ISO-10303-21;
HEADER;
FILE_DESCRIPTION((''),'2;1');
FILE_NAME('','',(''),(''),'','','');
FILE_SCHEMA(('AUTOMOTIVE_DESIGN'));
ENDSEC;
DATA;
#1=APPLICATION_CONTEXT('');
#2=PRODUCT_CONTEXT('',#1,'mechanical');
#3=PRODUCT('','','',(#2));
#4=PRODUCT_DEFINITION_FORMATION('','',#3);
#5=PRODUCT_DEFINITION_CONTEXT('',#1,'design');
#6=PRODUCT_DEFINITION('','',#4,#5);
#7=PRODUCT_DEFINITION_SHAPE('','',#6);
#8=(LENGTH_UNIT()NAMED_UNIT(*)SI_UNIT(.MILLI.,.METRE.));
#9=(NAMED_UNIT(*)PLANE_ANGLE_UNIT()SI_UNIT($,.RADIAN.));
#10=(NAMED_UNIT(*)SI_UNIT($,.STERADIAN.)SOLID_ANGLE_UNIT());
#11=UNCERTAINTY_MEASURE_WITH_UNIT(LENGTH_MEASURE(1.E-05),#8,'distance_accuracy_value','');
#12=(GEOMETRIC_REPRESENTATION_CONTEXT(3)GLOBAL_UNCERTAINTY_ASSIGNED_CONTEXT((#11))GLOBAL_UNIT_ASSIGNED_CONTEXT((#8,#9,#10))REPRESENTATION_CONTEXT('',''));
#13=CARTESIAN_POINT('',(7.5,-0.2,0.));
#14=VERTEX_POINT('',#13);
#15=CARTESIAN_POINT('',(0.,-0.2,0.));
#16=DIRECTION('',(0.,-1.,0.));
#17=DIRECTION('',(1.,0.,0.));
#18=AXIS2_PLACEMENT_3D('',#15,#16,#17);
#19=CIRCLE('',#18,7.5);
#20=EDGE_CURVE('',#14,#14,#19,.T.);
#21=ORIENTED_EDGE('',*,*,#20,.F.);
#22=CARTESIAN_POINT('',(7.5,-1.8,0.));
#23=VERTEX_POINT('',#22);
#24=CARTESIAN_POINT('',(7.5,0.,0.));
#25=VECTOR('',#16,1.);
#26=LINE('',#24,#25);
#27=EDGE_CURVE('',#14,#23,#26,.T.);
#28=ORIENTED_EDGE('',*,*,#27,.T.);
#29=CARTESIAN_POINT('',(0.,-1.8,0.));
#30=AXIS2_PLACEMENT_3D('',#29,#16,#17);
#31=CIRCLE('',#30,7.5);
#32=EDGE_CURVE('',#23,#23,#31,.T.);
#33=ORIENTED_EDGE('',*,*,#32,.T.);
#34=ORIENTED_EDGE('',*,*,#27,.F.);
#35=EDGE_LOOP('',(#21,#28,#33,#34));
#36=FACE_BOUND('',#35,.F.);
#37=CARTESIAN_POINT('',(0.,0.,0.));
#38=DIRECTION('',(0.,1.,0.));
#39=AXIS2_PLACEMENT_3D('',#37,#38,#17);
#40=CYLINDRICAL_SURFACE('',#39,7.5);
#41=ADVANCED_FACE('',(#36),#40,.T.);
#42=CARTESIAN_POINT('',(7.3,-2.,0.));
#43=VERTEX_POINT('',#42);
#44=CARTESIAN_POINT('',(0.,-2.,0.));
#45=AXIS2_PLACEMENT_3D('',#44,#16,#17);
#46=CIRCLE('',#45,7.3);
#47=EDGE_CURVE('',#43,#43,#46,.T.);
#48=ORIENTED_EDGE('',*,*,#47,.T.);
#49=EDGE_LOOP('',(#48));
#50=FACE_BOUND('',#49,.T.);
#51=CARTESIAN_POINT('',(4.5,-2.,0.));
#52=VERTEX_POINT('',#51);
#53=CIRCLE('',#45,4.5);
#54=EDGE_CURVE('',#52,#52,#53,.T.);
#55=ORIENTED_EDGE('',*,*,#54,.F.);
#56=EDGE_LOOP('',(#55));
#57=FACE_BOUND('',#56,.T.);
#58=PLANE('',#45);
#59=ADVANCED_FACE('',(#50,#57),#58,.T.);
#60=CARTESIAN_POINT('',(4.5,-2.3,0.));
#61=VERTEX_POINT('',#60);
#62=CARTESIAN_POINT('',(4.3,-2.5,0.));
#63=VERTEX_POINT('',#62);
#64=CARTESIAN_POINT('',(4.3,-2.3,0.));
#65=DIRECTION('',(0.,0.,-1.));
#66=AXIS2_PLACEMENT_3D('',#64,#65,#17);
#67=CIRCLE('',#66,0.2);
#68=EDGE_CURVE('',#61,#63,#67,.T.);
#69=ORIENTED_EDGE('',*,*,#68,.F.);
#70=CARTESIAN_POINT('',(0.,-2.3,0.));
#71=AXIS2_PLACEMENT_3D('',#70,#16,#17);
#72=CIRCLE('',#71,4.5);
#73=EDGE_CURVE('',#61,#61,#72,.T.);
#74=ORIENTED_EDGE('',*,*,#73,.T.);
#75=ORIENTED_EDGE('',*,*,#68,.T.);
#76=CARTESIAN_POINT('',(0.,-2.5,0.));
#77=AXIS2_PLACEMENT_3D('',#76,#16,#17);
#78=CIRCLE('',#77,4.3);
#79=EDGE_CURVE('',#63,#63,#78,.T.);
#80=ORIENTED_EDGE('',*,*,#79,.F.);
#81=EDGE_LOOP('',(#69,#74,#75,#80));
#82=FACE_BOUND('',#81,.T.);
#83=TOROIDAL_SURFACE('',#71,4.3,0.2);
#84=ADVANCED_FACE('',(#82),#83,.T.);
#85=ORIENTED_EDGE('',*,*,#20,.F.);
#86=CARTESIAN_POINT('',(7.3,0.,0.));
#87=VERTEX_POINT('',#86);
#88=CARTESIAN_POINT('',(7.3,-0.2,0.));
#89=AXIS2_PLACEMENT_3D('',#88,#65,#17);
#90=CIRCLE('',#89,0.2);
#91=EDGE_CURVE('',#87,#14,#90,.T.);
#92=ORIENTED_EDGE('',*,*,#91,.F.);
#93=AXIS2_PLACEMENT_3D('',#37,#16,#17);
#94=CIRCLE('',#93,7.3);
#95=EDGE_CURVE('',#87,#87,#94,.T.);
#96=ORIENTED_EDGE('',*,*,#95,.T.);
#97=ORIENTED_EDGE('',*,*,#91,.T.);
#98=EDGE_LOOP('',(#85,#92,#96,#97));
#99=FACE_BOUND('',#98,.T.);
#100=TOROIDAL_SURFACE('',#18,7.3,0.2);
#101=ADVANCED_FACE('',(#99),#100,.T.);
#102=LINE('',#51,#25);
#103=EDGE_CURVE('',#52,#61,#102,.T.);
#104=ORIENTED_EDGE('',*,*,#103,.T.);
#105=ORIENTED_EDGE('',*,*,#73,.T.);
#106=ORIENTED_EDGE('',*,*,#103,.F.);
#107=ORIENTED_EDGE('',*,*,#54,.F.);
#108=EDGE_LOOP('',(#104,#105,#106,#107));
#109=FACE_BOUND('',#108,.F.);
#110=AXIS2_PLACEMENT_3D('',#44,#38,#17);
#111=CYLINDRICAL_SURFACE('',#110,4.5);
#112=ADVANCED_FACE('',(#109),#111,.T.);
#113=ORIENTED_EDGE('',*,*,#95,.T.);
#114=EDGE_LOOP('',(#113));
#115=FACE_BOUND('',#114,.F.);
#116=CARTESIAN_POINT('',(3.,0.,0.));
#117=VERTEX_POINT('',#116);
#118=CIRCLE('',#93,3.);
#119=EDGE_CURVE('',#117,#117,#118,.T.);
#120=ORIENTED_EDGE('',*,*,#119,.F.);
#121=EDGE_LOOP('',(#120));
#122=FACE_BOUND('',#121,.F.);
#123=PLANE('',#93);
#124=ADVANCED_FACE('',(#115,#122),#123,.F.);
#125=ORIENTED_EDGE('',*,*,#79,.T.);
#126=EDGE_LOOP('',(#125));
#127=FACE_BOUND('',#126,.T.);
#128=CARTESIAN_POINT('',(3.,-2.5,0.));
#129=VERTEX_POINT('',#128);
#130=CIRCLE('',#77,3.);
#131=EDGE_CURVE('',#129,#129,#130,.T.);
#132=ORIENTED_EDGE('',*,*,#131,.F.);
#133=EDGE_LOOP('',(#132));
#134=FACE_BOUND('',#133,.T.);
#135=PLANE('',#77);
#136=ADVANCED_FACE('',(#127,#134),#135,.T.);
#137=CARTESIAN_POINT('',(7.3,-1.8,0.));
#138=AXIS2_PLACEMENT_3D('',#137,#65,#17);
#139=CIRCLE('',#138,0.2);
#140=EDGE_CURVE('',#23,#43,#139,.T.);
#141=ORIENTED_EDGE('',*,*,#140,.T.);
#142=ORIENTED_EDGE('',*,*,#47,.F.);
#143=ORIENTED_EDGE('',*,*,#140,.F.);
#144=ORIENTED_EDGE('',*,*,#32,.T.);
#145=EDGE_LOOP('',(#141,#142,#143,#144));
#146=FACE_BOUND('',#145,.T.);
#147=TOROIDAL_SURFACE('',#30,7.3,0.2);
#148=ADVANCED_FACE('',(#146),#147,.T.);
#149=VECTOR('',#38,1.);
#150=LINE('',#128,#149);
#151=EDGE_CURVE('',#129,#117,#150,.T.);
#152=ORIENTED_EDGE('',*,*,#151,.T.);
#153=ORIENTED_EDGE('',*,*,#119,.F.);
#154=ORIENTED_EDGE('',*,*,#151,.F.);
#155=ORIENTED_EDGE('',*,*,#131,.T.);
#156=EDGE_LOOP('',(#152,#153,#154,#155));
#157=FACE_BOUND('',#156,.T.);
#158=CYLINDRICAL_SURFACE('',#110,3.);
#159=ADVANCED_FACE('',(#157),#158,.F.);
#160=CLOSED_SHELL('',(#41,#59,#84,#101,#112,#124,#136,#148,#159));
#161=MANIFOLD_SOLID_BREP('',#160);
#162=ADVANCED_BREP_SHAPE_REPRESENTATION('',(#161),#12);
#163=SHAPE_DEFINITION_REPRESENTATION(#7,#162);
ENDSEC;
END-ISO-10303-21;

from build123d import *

# Parameters (mm, degrees)
F0_R     = 7.5
F0_R_2   = 3
F1_DEPTH = 2
F2_R     = 4.5
F2_R_2   = 3
F3_DEPTH = 0.5
F4_R     = 0.2


with BuildPart() as f1:
    # F0 (on Front) → F1 (new body)
    with BuildSketch(Plane.XZ):
        Circle(F0_R)
        Circle(F0_R_2, mode=Mode.SUBTRACT)
    extrude(amount=F1_DEPTH)

    # F2 (on face) → F3 (join)
    with BuildSketch(Plane.XZ.offset(2)):
        Circle(F2_R)
        Circle(F2_R_2, mode=Mode.SUBTRACT)
    extrude(amount=F3_DEPTH)

    # F4
    f4_edges = [f1.edges().sort_by_distance(p)[0] for p in [
        (-7.5, -2, 0),
        (-7.5, 0, 0),
        (-4.5, -2.5, 0),
    ]]
    fillet(f4_edges, radius=F4_R)


solid = f1.part
